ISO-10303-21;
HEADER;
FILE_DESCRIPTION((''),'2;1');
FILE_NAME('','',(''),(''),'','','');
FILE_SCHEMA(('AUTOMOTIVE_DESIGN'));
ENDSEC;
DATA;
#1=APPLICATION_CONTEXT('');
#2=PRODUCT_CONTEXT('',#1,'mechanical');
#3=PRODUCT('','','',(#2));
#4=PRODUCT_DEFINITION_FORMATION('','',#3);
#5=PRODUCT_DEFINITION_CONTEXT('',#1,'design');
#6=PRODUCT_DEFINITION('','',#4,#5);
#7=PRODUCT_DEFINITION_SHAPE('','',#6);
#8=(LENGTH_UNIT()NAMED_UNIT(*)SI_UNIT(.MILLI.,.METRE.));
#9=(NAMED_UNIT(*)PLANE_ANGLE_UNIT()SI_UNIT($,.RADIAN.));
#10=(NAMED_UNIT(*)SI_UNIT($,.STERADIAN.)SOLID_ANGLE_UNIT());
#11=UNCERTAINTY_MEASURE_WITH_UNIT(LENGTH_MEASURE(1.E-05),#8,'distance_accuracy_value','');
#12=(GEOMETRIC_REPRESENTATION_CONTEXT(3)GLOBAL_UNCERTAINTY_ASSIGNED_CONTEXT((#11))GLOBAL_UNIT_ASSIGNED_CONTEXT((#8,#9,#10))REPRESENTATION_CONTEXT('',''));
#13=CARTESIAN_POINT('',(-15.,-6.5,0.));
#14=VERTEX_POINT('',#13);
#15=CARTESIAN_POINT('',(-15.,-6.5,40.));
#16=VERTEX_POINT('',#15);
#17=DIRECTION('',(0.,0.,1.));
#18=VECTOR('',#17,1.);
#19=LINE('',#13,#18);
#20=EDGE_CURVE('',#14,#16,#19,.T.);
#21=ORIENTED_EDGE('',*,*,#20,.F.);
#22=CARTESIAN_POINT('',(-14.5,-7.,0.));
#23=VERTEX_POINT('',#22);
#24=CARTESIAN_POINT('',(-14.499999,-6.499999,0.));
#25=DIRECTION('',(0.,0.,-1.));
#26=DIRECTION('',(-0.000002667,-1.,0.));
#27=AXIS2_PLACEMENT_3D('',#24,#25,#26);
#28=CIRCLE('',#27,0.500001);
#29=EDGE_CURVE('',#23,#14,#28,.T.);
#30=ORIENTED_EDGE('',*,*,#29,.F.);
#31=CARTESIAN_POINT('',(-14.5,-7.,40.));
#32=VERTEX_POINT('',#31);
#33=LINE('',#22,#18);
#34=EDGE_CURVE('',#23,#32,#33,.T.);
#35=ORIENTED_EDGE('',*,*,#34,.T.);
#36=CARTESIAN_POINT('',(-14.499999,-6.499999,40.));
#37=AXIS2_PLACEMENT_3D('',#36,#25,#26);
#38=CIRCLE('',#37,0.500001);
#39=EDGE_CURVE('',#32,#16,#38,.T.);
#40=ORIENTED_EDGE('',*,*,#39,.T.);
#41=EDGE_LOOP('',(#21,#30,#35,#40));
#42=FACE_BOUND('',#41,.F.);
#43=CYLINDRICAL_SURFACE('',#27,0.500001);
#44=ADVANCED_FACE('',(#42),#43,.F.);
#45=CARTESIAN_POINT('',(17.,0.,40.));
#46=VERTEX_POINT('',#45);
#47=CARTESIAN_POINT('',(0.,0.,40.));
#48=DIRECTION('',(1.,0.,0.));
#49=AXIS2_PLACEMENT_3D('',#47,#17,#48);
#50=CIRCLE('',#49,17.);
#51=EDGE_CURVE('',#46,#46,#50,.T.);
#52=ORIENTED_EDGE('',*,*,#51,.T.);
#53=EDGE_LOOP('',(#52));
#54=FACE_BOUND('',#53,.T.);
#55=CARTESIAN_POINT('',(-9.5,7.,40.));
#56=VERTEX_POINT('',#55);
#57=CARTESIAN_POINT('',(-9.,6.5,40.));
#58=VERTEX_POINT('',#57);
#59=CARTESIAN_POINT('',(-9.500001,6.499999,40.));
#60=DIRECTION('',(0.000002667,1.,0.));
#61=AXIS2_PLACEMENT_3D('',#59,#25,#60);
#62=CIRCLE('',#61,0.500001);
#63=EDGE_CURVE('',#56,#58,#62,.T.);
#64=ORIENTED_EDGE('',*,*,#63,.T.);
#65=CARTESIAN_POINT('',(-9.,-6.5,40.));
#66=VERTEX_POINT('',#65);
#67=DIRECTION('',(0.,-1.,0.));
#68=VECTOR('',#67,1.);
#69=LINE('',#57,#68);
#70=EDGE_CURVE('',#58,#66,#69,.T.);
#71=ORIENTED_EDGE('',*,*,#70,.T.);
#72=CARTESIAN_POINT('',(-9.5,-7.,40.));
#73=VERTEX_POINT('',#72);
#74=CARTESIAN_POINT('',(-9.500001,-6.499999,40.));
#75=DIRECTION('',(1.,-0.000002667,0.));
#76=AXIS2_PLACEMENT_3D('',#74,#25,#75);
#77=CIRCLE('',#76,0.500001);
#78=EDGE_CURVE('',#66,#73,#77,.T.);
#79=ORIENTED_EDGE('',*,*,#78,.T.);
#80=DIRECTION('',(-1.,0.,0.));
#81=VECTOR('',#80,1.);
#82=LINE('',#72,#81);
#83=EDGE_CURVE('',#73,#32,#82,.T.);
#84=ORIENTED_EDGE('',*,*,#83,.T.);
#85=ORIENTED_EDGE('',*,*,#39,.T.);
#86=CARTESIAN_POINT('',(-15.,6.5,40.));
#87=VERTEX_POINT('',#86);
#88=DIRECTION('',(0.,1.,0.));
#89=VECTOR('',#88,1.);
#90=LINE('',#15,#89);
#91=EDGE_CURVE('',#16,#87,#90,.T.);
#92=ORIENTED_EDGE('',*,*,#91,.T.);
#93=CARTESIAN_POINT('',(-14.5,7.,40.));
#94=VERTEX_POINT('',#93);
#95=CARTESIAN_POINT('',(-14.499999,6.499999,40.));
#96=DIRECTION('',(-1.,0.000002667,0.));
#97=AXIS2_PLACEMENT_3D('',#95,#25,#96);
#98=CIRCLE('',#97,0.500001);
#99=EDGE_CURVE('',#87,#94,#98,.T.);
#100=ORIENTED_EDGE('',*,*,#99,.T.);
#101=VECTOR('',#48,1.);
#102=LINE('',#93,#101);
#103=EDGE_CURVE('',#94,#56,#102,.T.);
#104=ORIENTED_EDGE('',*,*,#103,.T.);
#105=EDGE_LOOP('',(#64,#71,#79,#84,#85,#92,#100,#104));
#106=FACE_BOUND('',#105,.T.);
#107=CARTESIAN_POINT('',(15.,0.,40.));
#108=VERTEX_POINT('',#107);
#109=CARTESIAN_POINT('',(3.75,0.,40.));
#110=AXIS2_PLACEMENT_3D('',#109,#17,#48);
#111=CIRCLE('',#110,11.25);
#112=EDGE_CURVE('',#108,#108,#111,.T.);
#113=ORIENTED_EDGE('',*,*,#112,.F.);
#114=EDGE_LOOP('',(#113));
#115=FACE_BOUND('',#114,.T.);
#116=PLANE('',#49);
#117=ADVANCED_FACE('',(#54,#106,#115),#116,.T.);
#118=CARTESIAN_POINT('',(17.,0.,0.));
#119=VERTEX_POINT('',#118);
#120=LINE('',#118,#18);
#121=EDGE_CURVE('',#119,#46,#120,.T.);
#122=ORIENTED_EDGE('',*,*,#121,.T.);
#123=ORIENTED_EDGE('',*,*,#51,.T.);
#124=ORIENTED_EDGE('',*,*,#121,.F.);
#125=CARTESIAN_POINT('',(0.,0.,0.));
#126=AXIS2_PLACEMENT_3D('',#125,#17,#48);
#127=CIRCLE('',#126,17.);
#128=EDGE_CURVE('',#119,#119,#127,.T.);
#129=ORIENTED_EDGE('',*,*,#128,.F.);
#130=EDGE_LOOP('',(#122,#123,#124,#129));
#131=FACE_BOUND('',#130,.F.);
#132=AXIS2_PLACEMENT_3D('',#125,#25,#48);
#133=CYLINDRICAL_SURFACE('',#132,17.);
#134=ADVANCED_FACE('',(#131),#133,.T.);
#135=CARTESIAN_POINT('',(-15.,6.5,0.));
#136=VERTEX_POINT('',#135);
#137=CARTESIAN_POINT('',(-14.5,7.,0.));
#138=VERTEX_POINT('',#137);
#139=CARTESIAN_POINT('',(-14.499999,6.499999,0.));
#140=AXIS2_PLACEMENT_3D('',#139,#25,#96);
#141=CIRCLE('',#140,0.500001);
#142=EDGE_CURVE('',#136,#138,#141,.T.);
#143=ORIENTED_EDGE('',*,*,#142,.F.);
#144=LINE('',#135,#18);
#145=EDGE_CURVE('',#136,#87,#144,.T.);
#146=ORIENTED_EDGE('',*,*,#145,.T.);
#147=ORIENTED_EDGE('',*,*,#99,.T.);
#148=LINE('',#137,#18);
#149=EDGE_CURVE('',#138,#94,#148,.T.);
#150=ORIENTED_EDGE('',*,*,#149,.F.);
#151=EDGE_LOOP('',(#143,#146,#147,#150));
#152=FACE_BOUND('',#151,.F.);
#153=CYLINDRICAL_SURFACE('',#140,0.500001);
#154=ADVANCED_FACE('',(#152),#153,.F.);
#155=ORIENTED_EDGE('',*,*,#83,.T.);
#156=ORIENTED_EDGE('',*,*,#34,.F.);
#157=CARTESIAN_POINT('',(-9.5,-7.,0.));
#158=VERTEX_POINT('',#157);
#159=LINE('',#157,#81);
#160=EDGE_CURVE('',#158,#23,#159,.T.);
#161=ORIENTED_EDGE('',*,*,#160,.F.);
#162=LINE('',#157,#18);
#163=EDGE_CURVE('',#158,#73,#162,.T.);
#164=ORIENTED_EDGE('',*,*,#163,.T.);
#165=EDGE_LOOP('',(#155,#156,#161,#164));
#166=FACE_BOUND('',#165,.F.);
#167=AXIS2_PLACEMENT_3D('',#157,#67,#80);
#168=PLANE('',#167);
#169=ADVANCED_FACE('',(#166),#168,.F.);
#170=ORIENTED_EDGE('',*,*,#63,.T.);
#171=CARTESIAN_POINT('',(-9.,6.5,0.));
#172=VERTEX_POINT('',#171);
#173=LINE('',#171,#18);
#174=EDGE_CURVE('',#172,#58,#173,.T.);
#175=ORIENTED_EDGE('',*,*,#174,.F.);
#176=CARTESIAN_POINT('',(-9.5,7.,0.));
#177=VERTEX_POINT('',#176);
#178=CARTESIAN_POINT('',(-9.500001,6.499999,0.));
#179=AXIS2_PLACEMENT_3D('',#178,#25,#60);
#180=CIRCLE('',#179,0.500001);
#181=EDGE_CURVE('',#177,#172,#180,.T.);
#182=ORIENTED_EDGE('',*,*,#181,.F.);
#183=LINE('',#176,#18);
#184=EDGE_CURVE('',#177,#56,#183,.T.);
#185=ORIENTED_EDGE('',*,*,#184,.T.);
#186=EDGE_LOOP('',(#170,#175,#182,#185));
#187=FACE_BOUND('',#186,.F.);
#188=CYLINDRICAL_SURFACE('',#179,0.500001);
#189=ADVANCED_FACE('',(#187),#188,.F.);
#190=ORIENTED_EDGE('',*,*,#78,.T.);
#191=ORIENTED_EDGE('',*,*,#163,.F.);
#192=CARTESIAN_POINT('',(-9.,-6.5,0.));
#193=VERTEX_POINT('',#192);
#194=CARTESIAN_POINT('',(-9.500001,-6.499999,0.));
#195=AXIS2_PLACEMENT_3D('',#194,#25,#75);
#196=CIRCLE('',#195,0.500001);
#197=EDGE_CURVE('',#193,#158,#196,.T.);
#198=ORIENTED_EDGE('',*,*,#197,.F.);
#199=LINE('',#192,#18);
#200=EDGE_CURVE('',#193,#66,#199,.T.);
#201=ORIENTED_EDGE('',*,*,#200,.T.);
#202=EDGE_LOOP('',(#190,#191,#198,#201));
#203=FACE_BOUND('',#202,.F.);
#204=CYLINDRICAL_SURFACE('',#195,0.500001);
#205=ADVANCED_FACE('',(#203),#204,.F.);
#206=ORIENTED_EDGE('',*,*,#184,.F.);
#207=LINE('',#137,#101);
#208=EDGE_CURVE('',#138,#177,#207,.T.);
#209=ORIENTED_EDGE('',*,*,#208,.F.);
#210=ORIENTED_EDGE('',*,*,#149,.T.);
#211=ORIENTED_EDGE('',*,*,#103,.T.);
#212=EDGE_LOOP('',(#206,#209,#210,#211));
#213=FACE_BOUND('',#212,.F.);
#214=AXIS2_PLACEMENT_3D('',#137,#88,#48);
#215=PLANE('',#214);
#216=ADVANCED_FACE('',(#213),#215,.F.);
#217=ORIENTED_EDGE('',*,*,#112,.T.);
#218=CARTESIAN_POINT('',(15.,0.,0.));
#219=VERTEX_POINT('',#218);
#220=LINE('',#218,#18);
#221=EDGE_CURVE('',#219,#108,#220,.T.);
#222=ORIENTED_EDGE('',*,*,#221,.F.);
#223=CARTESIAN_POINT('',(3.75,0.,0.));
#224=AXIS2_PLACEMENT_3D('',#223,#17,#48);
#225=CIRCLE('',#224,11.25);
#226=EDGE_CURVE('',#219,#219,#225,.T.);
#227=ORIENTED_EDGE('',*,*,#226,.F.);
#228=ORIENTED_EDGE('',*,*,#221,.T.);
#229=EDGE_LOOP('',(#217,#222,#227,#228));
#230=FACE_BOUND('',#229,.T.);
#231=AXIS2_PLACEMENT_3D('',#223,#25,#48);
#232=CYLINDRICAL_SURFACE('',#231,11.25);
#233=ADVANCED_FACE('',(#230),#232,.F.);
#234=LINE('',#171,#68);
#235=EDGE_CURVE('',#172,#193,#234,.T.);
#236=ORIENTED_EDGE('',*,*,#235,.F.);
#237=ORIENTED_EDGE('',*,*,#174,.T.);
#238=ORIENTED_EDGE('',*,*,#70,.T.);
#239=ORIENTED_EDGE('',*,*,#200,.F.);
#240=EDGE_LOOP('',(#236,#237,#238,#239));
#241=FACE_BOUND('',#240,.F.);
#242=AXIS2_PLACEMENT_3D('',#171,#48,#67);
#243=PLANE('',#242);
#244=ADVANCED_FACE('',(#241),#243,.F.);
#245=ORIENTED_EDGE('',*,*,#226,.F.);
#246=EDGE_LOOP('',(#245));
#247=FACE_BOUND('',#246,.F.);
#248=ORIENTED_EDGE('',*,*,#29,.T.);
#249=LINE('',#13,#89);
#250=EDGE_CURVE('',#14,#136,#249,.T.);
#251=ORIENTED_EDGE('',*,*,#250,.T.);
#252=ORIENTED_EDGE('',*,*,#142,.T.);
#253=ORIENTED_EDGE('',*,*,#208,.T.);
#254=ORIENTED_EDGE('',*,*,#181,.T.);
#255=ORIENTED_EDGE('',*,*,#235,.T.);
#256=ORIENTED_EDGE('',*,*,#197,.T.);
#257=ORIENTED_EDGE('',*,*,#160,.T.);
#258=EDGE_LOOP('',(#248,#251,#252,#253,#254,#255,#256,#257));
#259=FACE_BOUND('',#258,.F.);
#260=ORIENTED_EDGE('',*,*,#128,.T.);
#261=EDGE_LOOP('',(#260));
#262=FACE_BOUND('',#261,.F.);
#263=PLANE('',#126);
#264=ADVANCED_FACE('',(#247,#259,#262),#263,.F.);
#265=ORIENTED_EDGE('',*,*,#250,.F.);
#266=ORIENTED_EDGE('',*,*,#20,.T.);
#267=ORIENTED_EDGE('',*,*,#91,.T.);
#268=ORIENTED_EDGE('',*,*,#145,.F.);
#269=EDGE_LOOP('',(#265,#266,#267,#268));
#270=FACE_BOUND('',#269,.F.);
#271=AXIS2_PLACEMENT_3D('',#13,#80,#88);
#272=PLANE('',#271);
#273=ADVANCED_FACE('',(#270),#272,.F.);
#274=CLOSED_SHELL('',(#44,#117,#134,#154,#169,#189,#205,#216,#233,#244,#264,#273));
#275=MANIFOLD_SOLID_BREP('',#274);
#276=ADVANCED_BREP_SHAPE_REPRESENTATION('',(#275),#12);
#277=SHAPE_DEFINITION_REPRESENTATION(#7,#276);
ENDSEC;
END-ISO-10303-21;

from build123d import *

# Parameters (mm, degrees)
F0_R     = 17
F0_R_2   = 11.25
F1_DEPTH = 40


with BuildPart() as f1:
    # F0 (on Top) → F1 (new body)
    with BuildSketch(Plane.XY):
        Circle(F0_R)
        with BuildLine():
            ThreePointArc((-9, -6.5), (-9.146447, -6.853553), (-9.5, -7))
            Line((-9.5, -7), (-14.5, -7))
            ThreePointArc((-14.5, -7), (-14.853553, -6.853553), (-15, -6.5))
            Line((-15, -6.5), (-15, 6.5))
            ThreePointArc((-15, 6.5), (-14.853553, 6.853553), (-14.5, 7))
            Line((-14.5, 7), (-9.5, 7))
            ThreePointArc((-9.5, 7), (-9.146447, 6.853553), (-9, 6.5))
            Line((-9, 6.5), (-9, -6.5))
        make_face(mode=Mode.SUBTRACT)
        with Locations((3.75, 0)):
            Circle(F0_R_2, mode=Mode.SUBTRACT)
    extrude(amount=F1_DEPTH)


solid = f1.part
